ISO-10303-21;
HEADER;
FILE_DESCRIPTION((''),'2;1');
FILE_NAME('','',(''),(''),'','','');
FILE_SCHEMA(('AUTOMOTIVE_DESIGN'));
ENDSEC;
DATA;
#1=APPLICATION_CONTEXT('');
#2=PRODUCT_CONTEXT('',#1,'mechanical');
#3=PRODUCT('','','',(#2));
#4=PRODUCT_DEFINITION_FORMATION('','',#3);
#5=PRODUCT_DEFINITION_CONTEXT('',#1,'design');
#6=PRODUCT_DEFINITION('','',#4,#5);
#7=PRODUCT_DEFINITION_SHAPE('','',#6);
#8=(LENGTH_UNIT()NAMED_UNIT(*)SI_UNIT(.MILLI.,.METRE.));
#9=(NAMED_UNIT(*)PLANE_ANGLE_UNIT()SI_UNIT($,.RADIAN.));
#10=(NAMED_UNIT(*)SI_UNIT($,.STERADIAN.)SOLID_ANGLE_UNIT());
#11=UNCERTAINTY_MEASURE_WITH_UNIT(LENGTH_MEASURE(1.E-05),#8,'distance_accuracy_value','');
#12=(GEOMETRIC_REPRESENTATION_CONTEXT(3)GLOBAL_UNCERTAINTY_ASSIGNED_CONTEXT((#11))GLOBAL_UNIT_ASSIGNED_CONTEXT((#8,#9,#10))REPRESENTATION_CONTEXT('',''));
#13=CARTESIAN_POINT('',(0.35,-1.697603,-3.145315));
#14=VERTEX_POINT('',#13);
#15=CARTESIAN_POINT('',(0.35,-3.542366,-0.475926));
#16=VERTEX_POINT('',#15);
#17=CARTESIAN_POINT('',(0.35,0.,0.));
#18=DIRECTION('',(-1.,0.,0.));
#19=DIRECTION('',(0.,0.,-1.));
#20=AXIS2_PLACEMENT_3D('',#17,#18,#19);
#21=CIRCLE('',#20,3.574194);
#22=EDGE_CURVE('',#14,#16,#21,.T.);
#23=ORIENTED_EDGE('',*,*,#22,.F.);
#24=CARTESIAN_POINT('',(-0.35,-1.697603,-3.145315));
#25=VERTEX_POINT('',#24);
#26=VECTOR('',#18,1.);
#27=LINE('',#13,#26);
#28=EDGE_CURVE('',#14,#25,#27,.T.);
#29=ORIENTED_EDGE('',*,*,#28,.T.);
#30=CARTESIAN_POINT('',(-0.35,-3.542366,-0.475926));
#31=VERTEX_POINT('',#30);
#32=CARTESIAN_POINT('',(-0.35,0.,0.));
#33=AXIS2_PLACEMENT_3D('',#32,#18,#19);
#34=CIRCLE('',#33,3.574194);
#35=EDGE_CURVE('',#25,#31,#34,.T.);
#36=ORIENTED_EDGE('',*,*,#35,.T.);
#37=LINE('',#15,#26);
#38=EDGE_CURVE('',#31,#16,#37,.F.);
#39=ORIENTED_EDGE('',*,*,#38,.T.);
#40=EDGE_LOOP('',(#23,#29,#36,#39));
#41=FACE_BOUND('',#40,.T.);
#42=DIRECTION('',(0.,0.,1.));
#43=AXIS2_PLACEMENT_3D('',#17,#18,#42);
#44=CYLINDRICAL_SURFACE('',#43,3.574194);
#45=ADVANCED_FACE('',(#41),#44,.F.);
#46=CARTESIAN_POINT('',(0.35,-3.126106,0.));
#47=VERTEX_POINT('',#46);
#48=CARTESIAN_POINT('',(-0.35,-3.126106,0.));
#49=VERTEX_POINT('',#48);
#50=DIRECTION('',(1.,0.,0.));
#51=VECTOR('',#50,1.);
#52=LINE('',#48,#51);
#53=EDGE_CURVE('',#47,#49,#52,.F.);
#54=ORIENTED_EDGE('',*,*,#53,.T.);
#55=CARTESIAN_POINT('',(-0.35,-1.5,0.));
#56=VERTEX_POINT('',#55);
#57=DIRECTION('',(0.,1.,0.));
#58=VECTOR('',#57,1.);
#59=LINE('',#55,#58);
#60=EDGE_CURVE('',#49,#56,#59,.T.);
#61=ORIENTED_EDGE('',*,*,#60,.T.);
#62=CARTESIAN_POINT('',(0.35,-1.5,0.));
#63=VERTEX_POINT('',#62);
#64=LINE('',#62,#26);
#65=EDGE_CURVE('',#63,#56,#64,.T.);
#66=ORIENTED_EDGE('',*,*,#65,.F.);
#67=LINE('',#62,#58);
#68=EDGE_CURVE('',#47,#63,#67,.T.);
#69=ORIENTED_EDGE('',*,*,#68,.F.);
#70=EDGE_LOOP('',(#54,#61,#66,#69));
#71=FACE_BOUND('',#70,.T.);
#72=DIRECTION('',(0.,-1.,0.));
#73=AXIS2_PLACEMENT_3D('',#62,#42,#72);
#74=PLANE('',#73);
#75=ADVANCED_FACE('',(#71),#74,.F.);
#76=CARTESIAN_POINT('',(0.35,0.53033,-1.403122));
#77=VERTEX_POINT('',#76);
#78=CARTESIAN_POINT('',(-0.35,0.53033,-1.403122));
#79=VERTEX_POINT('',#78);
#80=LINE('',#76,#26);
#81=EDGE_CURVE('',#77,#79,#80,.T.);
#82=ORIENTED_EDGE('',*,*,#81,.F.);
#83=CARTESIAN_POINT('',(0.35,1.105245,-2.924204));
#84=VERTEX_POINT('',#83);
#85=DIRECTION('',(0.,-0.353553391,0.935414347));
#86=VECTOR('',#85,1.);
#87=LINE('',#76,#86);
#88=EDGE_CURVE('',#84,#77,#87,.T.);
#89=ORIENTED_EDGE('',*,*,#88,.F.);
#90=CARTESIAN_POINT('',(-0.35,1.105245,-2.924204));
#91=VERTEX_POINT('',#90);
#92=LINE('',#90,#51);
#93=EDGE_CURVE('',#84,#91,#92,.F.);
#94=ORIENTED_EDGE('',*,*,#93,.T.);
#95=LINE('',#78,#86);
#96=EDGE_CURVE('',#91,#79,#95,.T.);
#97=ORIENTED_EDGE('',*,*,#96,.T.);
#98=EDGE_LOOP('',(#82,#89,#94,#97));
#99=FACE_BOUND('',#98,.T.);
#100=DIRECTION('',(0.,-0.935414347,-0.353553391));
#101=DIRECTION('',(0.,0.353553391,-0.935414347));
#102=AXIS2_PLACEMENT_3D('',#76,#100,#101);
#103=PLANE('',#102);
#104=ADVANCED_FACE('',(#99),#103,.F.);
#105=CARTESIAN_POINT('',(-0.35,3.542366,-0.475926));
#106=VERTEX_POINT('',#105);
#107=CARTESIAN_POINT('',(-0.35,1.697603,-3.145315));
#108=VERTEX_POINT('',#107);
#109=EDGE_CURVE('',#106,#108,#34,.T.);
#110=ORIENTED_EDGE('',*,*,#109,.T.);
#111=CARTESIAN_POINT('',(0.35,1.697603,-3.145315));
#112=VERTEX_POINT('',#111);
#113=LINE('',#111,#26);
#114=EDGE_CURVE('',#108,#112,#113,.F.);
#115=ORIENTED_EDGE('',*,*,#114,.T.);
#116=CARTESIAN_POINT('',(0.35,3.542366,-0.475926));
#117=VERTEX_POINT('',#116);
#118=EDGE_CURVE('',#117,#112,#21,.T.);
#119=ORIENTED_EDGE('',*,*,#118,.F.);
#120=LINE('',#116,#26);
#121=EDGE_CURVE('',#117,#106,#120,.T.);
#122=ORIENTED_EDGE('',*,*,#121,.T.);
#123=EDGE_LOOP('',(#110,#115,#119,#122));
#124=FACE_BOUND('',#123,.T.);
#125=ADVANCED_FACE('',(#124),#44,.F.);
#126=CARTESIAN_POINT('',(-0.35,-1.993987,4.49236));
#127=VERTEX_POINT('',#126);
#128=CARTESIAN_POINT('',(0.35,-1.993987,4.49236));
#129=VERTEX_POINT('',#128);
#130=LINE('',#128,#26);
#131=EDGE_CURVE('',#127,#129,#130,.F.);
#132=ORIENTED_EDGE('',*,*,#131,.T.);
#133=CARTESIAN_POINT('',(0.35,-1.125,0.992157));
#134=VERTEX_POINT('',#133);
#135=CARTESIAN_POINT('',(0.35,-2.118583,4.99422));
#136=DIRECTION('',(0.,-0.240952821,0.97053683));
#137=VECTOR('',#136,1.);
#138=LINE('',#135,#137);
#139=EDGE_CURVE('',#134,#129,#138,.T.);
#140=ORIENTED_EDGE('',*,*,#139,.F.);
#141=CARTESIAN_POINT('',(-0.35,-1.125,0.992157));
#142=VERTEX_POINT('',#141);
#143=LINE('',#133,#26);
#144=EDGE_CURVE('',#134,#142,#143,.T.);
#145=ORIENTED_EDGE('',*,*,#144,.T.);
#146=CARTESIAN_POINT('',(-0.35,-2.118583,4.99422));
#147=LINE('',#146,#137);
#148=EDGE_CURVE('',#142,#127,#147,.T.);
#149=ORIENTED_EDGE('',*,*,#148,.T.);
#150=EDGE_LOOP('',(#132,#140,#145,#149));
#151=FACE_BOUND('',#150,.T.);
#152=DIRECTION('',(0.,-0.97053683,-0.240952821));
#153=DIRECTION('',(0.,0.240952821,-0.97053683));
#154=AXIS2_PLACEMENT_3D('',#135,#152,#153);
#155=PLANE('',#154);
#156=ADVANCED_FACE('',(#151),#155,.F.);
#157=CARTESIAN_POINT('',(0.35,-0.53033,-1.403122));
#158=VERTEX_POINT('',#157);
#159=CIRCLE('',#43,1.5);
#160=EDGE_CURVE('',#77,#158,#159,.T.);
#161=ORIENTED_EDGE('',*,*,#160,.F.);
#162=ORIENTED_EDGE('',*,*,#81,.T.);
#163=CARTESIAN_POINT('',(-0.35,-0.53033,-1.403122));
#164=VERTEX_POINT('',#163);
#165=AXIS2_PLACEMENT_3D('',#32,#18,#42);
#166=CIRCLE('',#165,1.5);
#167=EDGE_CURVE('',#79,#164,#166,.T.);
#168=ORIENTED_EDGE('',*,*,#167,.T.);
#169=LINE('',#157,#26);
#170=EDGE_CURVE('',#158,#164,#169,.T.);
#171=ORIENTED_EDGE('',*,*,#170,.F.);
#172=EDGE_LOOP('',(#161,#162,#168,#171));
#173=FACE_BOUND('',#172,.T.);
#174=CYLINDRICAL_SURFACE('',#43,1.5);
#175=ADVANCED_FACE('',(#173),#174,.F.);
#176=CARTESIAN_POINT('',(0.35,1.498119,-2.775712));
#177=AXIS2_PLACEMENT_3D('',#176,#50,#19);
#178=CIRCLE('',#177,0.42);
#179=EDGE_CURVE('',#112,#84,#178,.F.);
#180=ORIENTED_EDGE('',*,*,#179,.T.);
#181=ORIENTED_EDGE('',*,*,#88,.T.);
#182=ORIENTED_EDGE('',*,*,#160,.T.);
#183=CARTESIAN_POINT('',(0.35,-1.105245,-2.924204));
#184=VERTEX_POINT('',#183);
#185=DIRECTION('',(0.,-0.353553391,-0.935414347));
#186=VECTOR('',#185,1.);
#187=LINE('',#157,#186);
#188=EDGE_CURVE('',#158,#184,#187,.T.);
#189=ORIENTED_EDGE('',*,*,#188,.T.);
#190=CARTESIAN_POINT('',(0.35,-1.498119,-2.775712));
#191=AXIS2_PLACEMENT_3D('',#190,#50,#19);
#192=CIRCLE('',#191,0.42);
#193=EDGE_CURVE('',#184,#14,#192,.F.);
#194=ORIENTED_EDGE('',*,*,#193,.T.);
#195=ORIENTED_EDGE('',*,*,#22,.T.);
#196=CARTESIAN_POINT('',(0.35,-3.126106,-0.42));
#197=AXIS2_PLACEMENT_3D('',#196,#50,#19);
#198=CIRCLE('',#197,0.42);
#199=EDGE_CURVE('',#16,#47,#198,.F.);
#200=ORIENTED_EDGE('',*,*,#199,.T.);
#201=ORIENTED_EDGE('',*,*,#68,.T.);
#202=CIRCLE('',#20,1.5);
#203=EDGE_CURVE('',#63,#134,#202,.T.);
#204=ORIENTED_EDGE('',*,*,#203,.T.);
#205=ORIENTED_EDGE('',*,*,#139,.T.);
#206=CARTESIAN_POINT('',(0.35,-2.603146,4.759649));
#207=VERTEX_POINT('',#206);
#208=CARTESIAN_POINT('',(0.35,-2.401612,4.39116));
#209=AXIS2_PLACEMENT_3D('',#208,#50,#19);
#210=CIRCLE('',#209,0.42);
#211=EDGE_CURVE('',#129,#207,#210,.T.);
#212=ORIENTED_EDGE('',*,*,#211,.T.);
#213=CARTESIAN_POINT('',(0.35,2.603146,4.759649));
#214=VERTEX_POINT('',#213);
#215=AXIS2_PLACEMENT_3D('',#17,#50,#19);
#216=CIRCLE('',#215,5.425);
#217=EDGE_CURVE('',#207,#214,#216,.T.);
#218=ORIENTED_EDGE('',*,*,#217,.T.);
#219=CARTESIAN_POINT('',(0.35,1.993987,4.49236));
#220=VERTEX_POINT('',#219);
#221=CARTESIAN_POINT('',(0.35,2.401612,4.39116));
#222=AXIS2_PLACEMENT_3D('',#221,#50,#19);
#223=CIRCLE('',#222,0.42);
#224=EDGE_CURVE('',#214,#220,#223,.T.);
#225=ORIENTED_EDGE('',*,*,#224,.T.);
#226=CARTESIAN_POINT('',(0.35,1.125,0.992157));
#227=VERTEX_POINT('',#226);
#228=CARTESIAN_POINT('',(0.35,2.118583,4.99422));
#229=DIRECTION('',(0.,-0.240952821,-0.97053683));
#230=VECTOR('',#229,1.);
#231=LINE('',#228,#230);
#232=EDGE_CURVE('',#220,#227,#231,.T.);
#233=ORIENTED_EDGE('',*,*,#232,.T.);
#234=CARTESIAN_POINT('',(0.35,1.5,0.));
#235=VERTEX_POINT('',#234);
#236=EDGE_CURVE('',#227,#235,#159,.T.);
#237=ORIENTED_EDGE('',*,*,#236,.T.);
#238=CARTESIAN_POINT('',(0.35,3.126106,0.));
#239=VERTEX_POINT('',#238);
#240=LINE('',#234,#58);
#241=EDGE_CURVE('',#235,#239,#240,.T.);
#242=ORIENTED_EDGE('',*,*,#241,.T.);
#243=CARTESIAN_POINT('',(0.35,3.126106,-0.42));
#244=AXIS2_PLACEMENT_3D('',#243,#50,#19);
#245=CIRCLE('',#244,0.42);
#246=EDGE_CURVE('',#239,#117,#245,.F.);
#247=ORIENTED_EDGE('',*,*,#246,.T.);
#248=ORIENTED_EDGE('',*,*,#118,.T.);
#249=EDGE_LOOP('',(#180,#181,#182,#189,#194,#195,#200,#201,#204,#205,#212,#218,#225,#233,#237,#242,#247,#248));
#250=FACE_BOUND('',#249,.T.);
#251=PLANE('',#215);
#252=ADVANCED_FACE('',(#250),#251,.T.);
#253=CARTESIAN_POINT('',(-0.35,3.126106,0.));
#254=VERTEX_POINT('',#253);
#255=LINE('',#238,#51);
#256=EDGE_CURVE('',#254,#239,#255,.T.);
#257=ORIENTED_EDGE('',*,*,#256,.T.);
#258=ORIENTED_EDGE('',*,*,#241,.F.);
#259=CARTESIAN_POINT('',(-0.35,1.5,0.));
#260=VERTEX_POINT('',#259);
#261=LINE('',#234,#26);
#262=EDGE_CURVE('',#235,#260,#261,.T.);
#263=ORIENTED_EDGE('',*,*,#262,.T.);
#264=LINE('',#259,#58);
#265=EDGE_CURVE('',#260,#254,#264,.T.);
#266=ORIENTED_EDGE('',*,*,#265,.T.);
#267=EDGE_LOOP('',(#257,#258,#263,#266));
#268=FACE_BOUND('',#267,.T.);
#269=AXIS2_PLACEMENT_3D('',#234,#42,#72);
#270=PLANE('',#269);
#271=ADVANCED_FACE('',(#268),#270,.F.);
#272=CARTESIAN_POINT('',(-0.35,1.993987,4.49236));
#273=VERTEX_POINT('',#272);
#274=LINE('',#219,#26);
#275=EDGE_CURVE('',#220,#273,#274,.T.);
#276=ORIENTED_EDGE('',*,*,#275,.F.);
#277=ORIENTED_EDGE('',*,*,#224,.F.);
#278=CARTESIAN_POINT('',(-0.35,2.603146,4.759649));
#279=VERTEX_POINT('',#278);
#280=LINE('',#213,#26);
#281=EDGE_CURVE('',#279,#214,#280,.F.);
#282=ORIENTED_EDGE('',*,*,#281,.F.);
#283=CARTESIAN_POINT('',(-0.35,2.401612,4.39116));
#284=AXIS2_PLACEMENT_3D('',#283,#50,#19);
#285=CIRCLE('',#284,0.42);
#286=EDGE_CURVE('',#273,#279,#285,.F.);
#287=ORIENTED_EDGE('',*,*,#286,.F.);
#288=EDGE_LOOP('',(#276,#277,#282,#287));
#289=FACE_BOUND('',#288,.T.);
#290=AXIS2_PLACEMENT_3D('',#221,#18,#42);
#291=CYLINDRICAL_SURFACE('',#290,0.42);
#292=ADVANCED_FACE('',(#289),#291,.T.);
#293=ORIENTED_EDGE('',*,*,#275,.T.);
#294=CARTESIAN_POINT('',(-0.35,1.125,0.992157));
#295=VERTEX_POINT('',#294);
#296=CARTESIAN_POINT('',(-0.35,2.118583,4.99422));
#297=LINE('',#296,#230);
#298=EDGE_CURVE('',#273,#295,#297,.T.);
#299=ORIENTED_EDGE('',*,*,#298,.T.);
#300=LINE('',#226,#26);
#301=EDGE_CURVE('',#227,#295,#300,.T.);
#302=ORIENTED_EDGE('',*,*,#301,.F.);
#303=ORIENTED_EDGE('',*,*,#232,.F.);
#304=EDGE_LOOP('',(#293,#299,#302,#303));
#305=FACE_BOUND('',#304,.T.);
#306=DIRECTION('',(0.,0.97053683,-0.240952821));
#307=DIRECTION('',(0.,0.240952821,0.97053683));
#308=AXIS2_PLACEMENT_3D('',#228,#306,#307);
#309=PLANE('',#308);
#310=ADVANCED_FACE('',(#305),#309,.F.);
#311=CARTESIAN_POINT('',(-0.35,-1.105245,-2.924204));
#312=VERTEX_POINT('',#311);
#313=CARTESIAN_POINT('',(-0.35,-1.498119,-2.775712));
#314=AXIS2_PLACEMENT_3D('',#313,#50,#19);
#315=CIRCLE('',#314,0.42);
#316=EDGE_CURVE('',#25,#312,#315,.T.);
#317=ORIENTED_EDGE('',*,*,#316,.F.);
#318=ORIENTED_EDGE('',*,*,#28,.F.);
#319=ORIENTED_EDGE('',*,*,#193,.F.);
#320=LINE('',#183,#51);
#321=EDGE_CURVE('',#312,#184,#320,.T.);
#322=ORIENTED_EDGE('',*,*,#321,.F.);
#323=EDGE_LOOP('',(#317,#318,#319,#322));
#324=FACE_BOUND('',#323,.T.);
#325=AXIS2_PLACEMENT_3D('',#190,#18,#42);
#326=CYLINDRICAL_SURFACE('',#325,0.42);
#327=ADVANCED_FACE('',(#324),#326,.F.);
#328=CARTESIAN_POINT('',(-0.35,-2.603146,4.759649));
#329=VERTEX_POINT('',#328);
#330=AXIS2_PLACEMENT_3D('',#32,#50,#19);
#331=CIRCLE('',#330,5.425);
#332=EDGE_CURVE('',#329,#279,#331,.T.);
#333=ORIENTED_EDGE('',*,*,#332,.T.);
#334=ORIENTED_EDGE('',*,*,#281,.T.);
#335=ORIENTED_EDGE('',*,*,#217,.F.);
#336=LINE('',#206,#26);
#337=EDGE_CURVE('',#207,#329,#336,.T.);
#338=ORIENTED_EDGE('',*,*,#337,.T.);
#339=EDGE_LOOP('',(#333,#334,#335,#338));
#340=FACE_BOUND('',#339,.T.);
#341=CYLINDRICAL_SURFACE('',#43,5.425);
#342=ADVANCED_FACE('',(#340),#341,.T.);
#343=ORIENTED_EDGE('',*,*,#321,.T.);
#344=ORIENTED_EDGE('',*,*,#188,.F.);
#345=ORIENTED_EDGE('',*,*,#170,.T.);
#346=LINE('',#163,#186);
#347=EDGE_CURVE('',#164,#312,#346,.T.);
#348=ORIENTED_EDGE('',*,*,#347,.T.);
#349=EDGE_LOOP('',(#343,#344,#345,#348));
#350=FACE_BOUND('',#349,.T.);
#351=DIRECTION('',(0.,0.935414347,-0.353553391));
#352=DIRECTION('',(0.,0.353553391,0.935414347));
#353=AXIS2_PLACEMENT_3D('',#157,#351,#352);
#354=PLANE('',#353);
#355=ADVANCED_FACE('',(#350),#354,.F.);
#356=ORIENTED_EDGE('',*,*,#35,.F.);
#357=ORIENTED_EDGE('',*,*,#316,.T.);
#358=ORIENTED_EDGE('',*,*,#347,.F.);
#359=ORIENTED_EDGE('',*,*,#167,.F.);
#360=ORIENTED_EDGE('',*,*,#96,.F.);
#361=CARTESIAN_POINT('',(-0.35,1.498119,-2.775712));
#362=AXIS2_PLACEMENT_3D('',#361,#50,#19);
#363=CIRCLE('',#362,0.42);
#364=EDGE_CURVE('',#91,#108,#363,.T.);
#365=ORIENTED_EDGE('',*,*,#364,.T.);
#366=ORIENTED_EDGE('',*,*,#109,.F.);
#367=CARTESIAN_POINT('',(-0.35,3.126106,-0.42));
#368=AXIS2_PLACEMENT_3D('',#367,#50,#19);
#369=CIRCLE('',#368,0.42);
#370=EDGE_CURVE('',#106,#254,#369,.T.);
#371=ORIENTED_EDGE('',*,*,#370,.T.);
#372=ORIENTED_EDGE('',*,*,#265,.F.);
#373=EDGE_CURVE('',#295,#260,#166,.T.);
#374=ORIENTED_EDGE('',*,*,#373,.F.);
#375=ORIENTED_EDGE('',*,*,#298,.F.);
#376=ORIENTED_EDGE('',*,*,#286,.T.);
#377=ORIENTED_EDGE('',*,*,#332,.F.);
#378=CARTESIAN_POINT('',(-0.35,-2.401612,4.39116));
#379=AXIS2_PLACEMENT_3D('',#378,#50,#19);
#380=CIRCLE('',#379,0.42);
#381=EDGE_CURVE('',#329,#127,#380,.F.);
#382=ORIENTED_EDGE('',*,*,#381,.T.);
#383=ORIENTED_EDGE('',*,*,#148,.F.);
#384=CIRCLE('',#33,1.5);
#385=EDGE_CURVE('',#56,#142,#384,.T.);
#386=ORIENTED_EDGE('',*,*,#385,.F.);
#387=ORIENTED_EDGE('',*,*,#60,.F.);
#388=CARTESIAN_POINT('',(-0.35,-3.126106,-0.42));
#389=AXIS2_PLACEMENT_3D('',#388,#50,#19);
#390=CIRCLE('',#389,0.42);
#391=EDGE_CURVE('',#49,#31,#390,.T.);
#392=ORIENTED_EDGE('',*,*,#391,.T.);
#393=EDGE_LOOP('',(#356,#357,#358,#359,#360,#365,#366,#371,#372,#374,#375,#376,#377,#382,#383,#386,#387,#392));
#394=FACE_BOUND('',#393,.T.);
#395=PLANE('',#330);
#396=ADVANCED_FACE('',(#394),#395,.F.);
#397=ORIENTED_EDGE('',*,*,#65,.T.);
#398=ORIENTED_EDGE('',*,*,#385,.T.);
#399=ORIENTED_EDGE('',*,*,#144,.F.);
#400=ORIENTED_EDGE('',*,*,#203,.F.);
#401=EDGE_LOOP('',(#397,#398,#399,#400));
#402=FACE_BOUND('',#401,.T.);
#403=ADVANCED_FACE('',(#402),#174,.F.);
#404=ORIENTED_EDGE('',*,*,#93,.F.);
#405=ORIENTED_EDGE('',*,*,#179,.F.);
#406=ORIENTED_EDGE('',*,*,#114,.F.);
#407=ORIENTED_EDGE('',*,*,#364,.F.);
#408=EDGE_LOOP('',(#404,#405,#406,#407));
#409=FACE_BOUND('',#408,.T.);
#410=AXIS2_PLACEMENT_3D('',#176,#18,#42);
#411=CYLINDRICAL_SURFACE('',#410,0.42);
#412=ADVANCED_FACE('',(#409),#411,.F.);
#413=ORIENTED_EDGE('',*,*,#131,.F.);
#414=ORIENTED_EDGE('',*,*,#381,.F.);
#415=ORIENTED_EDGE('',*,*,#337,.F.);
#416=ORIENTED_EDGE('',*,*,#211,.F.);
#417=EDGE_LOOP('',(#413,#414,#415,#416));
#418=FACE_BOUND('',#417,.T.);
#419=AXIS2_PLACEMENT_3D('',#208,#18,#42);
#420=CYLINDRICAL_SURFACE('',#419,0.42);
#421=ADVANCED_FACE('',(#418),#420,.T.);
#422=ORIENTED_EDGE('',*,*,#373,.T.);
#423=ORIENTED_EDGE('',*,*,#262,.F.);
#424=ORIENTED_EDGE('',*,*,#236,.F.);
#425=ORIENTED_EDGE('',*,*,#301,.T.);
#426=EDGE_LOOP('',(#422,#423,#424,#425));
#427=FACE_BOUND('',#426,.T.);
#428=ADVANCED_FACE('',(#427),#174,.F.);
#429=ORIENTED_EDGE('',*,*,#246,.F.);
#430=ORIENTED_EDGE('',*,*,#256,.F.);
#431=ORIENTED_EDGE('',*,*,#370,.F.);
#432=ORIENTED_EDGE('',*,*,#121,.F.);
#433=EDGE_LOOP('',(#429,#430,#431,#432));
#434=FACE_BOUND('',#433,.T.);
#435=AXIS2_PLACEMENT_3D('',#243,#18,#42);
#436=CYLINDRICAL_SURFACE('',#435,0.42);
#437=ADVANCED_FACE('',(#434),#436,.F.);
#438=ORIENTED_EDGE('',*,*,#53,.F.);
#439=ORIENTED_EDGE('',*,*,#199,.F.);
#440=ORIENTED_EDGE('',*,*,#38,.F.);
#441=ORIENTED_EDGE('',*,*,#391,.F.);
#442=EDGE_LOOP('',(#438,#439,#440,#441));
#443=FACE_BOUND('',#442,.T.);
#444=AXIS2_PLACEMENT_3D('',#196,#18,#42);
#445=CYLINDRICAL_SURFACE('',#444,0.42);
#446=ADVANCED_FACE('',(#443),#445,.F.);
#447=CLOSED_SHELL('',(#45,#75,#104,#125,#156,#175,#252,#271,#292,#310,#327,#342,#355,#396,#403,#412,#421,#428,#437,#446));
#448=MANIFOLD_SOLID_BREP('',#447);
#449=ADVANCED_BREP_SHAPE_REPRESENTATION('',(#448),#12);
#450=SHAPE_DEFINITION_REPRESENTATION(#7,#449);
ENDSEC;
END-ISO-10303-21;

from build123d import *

# Parameters (mm, degrees)
EXTRUDE1_DEPTH = 0.35
FILLET1_R      = 0.42


with BuildPart() as part:
    # Sketch1 → Extrude1 (new, symmetric)
    with BuildSketch(Plane(origin=(0, 0, 0), x_dir=(0, 0, -1), z_dir=(1, 0, 0))):
        with BuildLine():
            Line((-4.994219972, -2.118582514), (-0.992156742, -1.125))
            ThreePointArc((-0.992156742, -1.125), (-0.530330086, -1.40312152), (0, -1.5))
            Line((0, -1.5), (0, -3.574193548))
            ThreePointArc((0, -3.574193548), (2.032026651, -2.940361748), (3.343351923, -1.263668248))
            Line((3.343351923, -1.263668248), (1.40312152, -0.530330086))
            ThreePointArc((1.40312152, -0.530330086), (1.5, 0), (1.40312152, 0.530330086))
            Line((1.40312152, 0.530330086), (3.343351923, 1.263668248))
            ThreePointArc((3.343351923, 1.263668248), (2.032026651, 2.940361748), (0, 3.574193548))
            Line((0, 3.574193548), (0, 1.5))
            ThreePointArc((0, 1.5), (-0.530330086, 1.40312152), (-0.992156742, 1.125))
            Line((-0.992156742, 1.125), (-4.994219972, 2.118582514))
            ThreePointArc((-4.994219972, 2.118582514), (5.425, 0), (-4.994219972, -2.118582514))
        make_face()
    extrude(amount=EXTRUDE1_DEPTH, both=True)

    # Fillet1
    fillet1_edges = [part.edges().sort_by_distance(p)[0] for p in [
        (0, -2.118582514, 4.994219972),
        (0, -3.574193548, 0),
        (0, -1.263668248, -3.343351923),
        (0, 1.263668248, -3.343351923),
        (0, 3.574193548, 0),
        (0, 2.118582514, 4.994219972),
    ]]
    fillet(fillet1_edges, radius=FILLET1_R)


solid = part.part
